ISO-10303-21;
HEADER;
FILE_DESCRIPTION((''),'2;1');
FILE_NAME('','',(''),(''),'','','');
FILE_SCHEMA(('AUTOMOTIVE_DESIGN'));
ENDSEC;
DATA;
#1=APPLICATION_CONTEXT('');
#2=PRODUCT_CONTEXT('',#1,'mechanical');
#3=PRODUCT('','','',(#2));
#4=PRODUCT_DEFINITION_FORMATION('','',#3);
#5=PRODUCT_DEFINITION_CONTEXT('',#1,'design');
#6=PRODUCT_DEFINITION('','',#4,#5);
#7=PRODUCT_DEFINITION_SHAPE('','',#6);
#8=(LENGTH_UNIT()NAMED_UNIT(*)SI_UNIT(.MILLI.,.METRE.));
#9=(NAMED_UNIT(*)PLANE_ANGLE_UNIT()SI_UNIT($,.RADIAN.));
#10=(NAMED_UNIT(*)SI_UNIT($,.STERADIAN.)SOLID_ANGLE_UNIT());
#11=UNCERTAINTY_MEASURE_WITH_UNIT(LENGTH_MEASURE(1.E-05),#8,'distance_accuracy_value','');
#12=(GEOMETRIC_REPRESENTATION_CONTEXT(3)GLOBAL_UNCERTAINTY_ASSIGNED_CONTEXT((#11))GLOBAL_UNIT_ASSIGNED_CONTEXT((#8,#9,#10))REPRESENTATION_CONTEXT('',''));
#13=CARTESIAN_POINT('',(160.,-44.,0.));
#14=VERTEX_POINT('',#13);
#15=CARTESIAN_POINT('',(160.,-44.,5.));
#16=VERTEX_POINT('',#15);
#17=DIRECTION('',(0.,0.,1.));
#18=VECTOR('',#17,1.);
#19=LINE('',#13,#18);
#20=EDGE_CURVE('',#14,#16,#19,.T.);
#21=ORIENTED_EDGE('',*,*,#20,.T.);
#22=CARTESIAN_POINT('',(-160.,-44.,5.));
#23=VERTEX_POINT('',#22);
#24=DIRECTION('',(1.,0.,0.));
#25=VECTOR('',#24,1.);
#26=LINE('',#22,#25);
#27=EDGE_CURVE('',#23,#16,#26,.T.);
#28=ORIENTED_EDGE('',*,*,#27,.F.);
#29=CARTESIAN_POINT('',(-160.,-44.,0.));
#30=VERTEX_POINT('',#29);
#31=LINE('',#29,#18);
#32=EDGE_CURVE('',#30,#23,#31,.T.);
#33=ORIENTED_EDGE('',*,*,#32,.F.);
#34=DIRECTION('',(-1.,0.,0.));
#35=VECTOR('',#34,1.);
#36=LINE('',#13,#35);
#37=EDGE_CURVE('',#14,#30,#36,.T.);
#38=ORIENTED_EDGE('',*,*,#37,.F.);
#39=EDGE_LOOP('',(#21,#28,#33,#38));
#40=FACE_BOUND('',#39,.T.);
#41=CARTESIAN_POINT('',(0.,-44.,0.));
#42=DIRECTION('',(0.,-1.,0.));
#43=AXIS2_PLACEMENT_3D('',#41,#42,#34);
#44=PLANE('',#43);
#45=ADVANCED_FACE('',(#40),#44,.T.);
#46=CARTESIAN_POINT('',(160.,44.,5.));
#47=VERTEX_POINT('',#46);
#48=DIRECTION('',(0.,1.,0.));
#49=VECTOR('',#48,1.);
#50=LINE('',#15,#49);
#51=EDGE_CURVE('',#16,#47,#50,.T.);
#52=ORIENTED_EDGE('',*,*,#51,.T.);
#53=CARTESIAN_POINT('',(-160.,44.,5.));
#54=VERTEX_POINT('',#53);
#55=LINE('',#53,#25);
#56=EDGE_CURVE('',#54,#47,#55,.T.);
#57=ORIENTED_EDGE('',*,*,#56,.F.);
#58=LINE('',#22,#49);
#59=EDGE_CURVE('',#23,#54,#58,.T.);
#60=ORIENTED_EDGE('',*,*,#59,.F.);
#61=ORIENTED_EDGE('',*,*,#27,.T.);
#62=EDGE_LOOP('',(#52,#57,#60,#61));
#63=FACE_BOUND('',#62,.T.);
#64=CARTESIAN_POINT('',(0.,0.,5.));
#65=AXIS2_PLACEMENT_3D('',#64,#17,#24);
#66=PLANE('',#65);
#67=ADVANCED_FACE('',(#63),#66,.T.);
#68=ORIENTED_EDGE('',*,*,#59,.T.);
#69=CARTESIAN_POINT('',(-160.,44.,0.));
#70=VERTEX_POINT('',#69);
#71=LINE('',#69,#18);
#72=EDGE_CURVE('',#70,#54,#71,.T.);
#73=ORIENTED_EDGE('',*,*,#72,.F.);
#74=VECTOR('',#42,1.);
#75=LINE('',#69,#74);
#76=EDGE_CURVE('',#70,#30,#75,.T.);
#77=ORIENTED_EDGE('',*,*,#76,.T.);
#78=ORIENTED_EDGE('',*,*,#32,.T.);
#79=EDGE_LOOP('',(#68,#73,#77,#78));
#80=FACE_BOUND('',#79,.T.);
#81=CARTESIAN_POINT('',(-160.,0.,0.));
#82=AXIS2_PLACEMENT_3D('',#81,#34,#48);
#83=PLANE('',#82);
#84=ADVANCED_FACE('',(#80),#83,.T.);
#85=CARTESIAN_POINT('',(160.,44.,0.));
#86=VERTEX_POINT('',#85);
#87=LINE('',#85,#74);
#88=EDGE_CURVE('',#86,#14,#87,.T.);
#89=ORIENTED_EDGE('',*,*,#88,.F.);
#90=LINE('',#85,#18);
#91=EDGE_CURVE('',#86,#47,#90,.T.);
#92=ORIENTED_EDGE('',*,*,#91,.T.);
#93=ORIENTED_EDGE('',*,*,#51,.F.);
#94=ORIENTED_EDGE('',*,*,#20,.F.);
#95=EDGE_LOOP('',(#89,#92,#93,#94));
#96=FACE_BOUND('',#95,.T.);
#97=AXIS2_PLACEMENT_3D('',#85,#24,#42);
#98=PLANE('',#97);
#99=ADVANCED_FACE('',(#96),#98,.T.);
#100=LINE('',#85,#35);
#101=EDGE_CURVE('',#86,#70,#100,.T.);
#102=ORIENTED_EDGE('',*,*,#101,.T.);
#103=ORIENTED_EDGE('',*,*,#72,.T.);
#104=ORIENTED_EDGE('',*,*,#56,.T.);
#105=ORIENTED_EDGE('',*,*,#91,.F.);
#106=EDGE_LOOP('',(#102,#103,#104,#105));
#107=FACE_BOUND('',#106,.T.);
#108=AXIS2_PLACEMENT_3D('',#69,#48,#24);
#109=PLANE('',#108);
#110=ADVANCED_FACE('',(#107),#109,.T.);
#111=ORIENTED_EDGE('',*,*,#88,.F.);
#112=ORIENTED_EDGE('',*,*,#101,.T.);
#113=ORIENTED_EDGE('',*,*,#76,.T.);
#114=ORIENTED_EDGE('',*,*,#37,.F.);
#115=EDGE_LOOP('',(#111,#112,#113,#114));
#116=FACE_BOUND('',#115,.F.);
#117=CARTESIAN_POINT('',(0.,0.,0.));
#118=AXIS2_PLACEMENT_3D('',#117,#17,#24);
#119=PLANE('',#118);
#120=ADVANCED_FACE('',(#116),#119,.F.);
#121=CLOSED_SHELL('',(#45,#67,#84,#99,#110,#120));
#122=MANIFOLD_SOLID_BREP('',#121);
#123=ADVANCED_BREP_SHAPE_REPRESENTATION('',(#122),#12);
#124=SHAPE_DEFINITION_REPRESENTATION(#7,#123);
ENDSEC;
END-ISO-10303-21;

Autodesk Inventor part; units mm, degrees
ref_plane "YZ Plane" through (0, 0, 0) normal (1, 0, 0) x (0, 1, 0)
ref_plane "XZ Plane" through (0, 0, 0) normal (0, 1, 0) x (-1, 0, 0)
ref_plane "XY Plane" through (0, 0, 0) normal (0, 0, 1) x (1, 0, 0)
sketch "Эскиз1" plane through (0, 0, 0) normal (0, 0, 1) x (1, 0, 0)
  line L0 (-160, 44) -> (160, 44)
  line L1 (160, 44) -> (160, -44)
  line L2 (160, -44) -> (-160, -44)
  line L3 (-160, -44) -> (-160, 44)
  line L4 (0, -61.6) -> (0, 61.6) projected
  line L5 (-224, 0) -> (224, 0) projected
  point P0 (0, 0)
  dimension "d0" = 88
  dimension "d1" = 320
extrude "Выдавливание1" add sketch "Эскиз1" along normal blind 5
properties part number "передний кожух"
